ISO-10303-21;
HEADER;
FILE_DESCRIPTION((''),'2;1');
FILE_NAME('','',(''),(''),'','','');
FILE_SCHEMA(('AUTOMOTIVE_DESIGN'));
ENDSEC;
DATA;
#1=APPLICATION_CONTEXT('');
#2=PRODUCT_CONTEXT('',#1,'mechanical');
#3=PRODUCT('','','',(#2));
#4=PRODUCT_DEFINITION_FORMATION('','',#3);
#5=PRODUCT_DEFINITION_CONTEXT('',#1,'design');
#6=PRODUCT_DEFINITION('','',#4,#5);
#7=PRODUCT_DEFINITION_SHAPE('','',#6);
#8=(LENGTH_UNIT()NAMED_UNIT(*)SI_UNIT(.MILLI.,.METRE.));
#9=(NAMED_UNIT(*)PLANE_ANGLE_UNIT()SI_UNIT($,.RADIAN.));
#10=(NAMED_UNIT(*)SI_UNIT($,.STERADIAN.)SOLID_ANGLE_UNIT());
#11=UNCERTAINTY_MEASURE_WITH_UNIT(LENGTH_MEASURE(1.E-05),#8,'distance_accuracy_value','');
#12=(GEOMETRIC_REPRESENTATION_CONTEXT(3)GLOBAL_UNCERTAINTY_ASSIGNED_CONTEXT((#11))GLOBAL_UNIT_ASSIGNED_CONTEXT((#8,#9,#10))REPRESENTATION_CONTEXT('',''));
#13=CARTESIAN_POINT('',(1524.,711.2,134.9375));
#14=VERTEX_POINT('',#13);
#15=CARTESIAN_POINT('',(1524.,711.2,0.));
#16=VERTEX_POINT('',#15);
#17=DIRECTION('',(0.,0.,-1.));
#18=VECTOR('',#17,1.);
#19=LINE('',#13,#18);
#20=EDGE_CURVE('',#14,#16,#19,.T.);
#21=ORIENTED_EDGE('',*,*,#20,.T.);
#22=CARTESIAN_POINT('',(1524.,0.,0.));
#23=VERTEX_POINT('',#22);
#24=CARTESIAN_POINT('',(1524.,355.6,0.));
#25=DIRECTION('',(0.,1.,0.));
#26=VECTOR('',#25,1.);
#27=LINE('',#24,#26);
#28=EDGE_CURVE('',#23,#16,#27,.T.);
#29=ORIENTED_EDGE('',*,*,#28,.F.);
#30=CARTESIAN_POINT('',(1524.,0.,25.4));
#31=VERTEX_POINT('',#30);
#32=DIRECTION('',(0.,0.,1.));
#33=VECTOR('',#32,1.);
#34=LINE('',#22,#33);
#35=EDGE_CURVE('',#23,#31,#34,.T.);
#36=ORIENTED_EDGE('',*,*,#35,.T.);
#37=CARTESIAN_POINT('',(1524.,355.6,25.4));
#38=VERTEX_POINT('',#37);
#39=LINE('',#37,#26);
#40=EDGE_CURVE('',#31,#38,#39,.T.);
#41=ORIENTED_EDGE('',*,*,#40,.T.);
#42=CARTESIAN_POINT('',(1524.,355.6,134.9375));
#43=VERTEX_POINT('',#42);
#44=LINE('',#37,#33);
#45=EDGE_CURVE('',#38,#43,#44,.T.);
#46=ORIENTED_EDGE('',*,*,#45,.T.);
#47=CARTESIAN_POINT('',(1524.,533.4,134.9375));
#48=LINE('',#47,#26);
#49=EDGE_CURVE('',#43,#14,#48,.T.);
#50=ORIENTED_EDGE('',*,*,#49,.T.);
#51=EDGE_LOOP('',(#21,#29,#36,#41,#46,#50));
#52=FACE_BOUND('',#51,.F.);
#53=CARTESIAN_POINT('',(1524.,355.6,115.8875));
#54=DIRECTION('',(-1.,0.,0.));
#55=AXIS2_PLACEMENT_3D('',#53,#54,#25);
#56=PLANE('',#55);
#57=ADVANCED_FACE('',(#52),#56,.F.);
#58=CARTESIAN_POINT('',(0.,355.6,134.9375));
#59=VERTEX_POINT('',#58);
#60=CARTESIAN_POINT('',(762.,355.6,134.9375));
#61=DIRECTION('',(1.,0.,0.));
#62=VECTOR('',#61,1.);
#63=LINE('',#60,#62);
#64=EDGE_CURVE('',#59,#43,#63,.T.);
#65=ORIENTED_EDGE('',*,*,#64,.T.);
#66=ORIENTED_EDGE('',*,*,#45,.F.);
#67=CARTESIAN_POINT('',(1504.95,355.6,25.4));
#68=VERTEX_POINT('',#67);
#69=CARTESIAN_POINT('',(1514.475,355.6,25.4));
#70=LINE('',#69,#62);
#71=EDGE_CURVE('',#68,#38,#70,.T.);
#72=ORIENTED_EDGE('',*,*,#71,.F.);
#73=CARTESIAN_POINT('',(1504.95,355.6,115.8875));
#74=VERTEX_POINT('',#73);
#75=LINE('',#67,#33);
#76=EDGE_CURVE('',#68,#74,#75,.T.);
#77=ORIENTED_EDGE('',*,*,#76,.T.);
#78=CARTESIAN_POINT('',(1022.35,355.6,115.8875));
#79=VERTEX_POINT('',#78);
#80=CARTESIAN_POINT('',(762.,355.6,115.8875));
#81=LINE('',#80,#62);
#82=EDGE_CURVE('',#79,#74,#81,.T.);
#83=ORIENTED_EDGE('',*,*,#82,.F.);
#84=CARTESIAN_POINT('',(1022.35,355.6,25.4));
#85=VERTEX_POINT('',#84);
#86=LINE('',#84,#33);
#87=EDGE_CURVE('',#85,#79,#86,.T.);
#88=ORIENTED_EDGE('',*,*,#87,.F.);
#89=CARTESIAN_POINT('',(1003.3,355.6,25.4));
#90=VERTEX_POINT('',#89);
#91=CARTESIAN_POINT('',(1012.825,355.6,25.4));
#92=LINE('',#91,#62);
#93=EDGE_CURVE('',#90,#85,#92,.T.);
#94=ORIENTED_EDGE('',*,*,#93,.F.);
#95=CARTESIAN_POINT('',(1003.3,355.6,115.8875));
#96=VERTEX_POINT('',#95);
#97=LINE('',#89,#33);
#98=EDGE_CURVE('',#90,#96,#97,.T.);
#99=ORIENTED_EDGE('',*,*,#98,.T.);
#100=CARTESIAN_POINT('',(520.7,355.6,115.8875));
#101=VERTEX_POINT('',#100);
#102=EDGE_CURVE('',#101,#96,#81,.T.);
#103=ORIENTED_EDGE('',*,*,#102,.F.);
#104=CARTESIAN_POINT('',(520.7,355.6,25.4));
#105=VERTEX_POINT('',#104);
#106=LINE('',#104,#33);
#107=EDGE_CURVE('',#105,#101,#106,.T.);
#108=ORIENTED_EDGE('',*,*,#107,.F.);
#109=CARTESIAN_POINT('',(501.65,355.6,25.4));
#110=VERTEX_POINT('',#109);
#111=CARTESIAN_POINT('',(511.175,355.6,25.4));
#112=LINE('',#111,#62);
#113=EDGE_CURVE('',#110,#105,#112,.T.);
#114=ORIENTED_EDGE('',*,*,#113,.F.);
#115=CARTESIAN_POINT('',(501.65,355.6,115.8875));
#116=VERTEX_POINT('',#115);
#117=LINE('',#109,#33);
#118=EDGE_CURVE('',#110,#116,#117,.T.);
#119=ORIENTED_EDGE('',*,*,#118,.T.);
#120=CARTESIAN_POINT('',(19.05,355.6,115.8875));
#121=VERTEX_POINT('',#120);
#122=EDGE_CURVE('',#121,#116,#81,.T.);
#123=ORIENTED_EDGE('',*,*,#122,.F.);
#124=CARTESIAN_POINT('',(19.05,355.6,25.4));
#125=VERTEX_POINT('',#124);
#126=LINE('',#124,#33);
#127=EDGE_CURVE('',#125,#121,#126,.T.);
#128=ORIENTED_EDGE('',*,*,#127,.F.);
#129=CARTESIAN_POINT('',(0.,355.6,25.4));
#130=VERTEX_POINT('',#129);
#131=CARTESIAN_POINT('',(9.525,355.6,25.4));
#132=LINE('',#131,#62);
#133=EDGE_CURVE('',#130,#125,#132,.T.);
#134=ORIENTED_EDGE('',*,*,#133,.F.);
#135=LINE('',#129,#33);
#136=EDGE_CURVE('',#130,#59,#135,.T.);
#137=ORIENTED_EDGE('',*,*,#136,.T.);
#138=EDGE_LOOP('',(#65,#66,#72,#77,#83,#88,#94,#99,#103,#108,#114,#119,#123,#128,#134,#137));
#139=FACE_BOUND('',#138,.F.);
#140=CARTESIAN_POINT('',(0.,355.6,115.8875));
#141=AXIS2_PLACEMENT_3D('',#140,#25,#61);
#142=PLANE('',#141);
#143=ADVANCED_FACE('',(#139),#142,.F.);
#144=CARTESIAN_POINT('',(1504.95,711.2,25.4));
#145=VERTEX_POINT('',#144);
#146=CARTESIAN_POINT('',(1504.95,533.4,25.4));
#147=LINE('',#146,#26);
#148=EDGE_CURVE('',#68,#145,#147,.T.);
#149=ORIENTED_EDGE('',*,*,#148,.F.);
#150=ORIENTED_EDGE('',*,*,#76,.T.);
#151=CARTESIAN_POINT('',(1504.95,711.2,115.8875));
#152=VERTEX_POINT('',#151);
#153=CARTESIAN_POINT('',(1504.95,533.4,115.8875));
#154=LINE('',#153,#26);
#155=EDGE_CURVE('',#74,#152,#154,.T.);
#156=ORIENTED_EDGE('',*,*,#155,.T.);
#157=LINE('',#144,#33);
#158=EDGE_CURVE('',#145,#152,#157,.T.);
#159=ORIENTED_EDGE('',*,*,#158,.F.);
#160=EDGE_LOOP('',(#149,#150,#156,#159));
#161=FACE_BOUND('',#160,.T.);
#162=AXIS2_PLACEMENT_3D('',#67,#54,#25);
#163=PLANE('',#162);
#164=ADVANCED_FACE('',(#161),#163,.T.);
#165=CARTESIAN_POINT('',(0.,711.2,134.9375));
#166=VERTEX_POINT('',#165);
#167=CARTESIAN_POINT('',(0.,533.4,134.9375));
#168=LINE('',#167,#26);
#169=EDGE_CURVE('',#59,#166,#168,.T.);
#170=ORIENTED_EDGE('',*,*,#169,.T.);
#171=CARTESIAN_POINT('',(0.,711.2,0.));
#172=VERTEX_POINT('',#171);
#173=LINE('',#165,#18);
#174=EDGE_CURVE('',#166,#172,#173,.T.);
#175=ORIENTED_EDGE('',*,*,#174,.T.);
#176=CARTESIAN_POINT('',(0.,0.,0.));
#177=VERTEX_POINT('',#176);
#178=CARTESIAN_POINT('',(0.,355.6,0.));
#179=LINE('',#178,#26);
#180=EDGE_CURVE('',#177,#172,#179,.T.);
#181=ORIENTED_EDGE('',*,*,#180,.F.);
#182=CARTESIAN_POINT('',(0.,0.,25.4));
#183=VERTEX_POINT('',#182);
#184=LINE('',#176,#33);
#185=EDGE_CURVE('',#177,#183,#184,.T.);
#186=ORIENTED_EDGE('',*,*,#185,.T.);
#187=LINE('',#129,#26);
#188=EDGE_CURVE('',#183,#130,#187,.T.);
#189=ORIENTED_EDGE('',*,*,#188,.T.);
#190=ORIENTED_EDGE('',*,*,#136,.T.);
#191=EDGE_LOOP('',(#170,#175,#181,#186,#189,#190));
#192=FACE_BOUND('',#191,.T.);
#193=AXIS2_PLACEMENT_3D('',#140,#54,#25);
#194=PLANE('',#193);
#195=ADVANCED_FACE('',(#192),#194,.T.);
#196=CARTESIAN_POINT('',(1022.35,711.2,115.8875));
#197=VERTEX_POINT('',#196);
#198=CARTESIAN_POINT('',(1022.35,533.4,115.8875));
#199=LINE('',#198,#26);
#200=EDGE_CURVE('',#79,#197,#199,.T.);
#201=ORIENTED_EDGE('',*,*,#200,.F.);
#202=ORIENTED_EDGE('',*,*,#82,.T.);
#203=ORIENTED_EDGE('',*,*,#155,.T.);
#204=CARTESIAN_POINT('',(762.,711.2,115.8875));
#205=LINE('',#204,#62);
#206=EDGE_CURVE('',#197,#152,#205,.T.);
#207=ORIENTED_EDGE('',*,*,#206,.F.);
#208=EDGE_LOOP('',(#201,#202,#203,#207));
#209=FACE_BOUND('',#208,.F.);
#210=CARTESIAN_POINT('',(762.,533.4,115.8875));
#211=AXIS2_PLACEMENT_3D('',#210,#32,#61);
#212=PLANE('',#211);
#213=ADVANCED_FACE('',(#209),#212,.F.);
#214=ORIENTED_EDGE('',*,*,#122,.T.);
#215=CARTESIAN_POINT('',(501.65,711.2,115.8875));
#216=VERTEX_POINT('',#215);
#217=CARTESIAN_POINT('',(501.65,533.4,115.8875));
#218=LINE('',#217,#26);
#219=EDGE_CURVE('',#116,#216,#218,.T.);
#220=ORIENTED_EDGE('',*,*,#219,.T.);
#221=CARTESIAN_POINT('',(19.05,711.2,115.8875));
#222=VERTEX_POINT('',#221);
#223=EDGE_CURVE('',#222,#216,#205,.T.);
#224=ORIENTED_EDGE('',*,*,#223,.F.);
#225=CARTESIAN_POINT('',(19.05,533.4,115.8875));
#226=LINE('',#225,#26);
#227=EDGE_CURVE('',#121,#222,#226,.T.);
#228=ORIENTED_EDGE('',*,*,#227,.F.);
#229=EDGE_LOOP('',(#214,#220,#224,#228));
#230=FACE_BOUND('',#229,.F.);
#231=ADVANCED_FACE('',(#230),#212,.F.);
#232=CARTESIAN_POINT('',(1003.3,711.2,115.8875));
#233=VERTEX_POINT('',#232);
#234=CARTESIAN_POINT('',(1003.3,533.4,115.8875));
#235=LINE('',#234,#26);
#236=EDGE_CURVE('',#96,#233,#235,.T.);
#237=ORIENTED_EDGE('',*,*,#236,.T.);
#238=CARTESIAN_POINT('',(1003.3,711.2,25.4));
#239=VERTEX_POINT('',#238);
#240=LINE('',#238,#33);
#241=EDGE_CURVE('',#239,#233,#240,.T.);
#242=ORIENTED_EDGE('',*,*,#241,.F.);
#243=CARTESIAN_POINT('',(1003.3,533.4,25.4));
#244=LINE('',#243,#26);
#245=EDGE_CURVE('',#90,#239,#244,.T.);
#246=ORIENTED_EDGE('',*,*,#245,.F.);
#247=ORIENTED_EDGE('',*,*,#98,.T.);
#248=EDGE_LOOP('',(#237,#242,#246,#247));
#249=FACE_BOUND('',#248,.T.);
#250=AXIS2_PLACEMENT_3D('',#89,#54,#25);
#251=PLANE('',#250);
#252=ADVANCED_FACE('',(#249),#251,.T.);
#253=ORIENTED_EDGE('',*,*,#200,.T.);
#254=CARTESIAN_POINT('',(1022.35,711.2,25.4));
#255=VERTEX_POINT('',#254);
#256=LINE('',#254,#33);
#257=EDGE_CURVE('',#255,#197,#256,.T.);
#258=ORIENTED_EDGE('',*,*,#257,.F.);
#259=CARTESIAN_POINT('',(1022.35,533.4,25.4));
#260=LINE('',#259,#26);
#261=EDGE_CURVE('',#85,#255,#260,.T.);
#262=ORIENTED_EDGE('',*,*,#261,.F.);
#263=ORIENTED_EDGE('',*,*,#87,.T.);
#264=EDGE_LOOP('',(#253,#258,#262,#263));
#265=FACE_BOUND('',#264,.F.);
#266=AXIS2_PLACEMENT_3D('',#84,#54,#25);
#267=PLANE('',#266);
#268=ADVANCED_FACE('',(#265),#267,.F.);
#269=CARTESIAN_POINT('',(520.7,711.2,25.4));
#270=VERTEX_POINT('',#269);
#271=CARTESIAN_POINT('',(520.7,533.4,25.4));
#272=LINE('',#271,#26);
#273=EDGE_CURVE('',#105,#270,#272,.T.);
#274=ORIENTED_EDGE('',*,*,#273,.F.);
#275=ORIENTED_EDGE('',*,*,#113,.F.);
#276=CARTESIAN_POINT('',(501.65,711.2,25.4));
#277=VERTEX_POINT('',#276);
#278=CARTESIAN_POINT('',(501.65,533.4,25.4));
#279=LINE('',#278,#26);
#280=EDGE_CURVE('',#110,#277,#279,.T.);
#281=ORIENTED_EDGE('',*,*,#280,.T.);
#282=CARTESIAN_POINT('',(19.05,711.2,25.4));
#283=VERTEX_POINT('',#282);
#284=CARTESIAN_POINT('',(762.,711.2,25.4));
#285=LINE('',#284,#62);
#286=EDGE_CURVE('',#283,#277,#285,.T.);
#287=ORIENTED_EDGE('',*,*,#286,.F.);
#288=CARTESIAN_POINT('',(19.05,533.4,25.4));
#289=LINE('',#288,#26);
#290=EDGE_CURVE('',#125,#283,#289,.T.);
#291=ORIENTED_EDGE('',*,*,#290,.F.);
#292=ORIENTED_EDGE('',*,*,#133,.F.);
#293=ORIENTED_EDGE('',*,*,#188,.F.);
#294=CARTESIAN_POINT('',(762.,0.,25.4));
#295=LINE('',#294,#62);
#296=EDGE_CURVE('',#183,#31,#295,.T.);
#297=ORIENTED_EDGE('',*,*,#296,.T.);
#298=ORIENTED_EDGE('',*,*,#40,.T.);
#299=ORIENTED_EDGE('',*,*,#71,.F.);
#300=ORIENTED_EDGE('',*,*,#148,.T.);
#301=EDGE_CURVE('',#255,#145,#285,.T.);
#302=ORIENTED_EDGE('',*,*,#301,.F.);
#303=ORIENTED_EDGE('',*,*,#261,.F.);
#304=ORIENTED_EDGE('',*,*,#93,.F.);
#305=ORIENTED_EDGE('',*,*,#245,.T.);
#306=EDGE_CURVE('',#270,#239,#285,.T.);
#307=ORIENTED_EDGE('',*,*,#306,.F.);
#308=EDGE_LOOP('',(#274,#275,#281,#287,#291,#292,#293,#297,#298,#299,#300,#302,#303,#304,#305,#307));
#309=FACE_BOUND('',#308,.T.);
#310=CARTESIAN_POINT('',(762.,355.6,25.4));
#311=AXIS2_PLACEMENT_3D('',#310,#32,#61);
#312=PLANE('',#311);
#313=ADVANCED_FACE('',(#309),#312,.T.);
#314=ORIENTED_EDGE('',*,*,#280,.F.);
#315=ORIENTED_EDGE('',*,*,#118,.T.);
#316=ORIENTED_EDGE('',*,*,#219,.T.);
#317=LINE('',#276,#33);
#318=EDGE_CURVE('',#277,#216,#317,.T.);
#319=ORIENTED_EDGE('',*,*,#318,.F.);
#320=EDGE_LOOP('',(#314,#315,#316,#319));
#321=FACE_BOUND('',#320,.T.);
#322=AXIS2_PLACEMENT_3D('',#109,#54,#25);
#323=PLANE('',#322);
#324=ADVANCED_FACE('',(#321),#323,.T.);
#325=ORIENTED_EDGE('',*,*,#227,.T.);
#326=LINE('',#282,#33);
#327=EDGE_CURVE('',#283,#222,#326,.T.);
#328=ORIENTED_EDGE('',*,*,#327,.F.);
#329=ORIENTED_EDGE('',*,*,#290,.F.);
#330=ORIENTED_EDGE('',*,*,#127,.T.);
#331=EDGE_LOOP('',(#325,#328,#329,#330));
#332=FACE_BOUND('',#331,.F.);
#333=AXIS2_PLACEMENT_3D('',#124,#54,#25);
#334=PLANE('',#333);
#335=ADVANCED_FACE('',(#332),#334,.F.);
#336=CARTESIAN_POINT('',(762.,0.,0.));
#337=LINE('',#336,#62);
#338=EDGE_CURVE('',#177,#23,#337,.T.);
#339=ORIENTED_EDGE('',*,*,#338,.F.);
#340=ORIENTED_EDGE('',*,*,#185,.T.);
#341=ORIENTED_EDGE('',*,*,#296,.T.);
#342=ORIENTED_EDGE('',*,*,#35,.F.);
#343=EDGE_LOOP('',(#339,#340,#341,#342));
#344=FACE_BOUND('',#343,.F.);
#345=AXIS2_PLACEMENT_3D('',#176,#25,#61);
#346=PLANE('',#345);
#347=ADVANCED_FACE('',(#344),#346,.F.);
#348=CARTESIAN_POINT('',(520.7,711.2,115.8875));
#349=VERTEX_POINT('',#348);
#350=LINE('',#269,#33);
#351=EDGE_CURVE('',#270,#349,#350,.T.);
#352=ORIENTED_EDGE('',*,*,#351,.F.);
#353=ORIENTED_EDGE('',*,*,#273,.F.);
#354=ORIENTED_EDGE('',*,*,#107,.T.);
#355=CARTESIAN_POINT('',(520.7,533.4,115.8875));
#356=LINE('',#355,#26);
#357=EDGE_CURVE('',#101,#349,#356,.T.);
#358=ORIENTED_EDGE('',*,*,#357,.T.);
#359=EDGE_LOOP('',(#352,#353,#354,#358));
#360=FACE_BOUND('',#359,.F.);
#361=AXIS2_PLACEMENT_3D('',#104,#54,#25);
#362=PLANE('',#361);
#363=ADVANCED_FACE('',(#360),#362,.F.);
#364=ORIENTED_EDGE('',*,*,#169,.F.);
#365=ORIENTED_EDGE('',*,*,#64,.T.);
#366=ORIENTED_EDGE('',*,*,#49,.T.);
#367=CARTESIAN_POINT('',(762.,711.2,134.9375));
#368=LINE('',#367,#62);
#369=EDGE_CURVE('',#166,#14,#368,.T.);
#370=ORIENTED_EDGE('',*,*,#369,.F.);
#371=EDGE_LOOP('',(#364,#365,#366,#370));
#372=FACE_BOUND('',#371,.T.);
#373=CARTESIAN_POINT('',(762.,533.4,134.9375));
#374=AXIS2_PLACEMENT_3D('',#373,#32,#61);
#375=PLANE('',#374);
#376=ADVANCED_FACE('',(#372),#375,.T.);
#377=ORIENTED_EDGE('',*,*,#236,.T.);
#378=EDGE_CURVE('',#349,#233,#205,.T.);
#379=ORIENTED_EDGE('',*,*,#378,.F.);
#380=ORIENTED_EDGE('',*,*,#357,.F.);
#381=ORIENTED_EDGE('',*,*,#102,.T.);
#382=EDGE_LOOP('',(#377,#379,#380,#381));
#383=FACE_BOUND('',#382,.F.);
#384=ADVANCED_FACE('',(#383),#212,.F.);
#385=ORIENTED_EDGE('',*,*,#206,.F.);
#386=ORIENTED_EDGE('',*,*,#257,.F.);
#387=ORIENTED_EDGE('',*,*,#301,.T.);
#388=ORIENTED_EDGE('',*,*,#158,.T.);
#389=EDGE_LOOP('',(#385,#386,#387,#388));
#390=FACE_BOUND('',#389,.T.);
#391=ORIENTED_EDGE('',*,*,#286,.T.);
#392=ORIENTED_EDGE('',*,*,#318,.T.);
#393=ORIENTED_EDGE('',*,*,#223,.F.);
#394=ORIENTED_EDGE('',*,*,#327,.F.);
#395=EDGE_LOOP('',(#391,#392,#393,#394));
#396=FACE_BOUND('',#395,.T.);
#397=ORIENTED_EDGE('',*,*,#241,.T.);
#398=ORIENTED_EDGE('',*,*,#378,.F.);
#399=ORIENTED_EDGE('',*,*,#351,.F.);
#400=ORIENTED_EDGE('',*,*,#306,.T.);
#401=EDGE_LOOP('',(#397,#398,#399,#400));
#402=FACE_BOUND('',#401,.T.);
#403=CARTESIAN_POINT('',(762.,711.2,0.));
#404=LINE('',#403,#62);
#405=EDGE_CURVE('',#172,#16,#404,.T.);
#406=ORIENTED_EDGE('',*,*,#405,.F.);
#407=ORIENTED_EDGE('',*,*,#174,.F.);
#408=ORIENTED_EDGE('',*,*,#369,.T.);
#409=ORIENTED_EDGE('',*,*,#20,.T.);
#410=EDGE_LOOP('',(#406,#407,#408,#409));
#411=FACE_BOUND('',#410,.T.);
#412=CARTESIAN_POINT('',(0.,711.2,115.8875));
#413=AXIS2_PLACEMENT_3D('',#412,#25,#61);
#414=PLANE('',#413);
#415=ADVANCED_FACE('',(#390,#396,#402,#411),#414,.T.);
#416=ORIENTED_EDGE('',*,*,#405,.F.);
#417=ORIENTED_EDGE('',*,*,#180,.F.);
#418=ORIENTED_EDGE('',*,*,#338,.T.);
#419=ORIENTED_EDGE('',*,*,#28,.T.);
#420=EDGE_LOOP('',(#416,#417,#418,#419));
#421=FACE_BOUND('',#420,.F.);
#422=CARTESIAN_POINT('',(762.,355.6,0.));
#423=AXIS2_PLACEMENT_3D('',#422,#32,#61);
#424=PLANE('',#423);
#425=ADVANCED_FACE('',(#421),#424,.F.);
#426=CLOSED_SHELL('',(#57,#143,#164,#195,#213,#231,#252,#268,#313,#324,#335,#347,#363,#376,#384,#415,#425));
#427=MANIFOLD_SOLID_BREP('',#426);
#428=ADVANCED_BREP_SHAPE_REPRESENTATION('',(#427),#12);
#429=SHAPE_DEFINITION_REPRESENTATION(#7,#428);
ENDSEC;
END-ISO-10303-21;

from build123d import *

# Parameters (mm, degrees)
F0_W     = 1524
F0_H     = 711.2
F1_DEPTH = 25.4
F2_W     = 19.05
F2_H     = 355.6
F3_DEPTH = 90.4875
F4_W     = 1524
F4_H     = 355.6
F5_DEPTH = 19.05


with BuildPart() as f1:
    # F0 (on Top) → F1 (new body)
    with BuildSketch(Plane.XY):
        with Locations((762, 355.6)):
            Rectangle(F0_W, F0_H)
    extrude(amount=F1_DEPTH)

    # F2 (on face) → F3 (join)
    with BuildSketch(Plane.XY.offset(25.4)):
        with Locations((9.525, 533.4)):
            Rectangle(F2_W, F2_H)
        with Locations((511.175, 533.4)):
            Rectangle(F2_W, F2_H)
        with Locations((1012.825, 533.4)):
            Rectangle(F2_W, F2_H)
        with Locations((1514.475, 533.4)):
            Rectangle(F2_W, F2_H)
    extrude(amount=F3_DEPTH)

    # F4 (on face) → F5 (join)
    with BuildSketch(Plane.XY.offset(115.8875)):
        with Locations((762, 533.4)):
            Rectangle(F4_W, F4_H)
    extrude(amount=F5_DEPTH)


solid = f1.part
